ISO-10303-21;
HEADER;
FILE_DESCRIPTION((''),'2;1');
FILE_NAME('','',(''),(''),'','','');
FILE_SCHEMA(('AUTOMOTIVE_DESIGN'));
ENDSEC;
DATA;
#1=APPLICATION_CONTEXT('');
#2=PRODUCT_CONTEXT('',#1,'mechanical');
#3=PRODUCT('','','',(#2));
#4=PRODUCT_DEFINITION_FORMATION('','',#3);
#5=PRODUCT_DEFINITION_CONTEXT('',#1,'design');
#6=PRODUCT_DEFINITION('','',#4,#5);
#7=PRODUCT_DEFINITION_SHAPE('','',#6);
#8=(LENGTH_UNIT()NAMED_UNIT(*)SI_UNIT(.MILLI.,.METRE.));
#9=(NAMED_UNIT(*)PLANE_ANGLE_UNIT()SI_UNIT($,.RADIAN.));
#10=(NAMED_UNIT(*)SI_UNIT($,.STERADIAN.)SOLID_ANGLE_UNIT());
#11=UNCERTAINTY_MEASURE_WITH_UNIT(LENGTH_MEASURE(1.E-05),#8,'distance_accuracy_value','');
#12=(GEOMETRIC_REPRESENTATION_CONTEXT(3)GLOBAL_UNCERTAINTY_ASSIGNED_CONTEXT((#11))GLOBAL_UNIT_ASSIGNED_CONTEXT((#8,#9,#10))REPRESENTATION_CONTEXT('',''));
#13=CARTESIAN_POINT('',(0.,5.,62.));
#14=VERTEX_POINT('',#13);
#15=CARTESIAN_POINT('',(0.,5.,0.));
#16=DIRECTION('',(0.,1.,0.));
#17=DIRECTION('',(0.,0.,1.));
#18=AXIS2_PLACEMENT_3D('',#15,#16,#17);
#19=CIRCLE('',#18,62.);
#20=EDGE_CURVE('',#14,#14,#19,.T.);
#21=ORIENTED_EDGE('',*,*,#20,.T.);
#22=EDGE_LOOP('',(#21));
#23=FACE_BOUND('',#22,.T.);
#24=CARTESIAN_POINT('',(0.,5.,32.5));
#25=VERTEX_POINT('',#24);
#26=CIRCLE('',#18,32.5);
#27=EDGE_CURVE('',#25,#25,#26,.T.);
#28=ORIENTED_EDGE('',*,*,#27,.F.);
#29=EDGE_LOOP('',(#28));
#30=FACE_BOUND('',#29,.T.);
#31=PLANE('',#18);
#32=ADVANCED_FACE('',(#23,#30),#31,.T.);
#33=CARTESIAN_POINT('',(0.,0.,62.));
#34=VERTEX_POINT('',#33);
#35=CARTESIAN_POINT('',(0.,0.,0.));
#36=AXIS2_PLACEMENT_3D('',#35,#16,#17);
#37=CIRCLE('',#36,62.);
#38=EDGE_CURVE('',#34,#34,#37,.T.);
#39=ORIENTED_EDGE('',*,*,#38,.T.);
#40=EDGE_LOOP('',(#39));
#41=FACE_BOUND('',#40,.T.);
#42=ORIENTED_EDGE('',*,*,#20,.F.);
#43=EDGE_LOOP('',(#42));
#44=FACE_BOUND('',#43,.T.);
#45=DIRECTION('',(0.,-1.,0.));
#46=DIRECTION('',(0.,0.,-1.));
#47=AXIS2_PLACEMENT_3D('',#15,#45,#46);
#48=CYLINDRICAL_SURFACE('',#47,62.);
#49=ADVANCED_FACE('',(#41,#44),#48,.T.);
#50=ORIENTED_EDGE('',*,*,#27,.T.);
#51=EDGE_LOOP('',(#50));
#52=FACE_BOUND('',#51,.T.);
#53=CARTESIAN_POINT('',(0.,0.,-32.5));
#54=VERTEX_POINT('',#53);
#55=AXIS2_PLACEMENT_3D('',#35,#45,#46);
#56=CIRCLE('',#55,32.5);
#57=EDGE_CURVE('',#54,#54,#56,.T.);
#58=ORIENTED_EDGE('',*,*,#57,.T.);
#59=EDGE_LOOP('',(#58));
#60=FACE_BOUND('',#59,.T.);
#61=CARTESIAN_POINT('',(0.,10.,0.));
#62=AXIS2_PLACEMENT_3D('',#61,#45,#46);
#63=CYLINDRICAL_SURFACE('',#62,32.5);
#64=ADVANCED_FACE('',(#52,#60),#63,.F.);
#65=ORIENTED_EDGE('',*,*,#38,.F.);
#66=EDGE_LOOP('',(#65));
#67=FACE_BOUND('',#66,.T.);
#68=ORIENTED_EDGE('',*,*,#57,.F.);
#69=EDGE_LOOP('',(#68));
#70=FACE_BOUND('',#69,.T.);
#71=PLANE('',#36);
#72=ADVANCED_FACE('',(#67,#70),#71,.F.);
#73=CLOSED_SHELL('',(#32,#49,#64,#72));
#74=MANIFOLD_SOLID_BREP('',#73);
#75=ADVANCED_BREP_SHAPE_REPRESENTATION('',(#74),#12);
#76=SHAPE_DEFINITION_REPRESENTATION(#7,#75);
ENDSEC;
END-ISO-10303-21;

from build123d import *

# Parameters (mm, degrees)
SKETCH1_R           = 62
BOSS_EXTRUDE1_DEPTH = 5
SKETCH5_R           = 32.5
CUT_EXTRUDE2_DEPTH  = 10


with BuildPart() as part:
    # Sketch1 → Boss-Extrude1 (new body)
    with BuildSketch(Plane(origin=(0, 0, 0), x_dir=(1, 0, 0), z_dir=(0, 1, 0))):
        with Locations(Location((0, 0, 0), (0, 0, 270))):
            Circle(SKETCH1_R)
    extrude(amount=BOSS_EXTRUDE1_DEPTH)

    # Sketch5 → Cut-Extrude2 (cut)
    with BuildSketch(Plane.XZ):
        with Locations(Location((0, 0, 0), (0, 0, 270))):
            Circle(SKETCH5_R)
    extrude(amount=-CUT_EXTRUDE2_DEPTH, mode=Mode.SUBTRACT)


solid = part.part
